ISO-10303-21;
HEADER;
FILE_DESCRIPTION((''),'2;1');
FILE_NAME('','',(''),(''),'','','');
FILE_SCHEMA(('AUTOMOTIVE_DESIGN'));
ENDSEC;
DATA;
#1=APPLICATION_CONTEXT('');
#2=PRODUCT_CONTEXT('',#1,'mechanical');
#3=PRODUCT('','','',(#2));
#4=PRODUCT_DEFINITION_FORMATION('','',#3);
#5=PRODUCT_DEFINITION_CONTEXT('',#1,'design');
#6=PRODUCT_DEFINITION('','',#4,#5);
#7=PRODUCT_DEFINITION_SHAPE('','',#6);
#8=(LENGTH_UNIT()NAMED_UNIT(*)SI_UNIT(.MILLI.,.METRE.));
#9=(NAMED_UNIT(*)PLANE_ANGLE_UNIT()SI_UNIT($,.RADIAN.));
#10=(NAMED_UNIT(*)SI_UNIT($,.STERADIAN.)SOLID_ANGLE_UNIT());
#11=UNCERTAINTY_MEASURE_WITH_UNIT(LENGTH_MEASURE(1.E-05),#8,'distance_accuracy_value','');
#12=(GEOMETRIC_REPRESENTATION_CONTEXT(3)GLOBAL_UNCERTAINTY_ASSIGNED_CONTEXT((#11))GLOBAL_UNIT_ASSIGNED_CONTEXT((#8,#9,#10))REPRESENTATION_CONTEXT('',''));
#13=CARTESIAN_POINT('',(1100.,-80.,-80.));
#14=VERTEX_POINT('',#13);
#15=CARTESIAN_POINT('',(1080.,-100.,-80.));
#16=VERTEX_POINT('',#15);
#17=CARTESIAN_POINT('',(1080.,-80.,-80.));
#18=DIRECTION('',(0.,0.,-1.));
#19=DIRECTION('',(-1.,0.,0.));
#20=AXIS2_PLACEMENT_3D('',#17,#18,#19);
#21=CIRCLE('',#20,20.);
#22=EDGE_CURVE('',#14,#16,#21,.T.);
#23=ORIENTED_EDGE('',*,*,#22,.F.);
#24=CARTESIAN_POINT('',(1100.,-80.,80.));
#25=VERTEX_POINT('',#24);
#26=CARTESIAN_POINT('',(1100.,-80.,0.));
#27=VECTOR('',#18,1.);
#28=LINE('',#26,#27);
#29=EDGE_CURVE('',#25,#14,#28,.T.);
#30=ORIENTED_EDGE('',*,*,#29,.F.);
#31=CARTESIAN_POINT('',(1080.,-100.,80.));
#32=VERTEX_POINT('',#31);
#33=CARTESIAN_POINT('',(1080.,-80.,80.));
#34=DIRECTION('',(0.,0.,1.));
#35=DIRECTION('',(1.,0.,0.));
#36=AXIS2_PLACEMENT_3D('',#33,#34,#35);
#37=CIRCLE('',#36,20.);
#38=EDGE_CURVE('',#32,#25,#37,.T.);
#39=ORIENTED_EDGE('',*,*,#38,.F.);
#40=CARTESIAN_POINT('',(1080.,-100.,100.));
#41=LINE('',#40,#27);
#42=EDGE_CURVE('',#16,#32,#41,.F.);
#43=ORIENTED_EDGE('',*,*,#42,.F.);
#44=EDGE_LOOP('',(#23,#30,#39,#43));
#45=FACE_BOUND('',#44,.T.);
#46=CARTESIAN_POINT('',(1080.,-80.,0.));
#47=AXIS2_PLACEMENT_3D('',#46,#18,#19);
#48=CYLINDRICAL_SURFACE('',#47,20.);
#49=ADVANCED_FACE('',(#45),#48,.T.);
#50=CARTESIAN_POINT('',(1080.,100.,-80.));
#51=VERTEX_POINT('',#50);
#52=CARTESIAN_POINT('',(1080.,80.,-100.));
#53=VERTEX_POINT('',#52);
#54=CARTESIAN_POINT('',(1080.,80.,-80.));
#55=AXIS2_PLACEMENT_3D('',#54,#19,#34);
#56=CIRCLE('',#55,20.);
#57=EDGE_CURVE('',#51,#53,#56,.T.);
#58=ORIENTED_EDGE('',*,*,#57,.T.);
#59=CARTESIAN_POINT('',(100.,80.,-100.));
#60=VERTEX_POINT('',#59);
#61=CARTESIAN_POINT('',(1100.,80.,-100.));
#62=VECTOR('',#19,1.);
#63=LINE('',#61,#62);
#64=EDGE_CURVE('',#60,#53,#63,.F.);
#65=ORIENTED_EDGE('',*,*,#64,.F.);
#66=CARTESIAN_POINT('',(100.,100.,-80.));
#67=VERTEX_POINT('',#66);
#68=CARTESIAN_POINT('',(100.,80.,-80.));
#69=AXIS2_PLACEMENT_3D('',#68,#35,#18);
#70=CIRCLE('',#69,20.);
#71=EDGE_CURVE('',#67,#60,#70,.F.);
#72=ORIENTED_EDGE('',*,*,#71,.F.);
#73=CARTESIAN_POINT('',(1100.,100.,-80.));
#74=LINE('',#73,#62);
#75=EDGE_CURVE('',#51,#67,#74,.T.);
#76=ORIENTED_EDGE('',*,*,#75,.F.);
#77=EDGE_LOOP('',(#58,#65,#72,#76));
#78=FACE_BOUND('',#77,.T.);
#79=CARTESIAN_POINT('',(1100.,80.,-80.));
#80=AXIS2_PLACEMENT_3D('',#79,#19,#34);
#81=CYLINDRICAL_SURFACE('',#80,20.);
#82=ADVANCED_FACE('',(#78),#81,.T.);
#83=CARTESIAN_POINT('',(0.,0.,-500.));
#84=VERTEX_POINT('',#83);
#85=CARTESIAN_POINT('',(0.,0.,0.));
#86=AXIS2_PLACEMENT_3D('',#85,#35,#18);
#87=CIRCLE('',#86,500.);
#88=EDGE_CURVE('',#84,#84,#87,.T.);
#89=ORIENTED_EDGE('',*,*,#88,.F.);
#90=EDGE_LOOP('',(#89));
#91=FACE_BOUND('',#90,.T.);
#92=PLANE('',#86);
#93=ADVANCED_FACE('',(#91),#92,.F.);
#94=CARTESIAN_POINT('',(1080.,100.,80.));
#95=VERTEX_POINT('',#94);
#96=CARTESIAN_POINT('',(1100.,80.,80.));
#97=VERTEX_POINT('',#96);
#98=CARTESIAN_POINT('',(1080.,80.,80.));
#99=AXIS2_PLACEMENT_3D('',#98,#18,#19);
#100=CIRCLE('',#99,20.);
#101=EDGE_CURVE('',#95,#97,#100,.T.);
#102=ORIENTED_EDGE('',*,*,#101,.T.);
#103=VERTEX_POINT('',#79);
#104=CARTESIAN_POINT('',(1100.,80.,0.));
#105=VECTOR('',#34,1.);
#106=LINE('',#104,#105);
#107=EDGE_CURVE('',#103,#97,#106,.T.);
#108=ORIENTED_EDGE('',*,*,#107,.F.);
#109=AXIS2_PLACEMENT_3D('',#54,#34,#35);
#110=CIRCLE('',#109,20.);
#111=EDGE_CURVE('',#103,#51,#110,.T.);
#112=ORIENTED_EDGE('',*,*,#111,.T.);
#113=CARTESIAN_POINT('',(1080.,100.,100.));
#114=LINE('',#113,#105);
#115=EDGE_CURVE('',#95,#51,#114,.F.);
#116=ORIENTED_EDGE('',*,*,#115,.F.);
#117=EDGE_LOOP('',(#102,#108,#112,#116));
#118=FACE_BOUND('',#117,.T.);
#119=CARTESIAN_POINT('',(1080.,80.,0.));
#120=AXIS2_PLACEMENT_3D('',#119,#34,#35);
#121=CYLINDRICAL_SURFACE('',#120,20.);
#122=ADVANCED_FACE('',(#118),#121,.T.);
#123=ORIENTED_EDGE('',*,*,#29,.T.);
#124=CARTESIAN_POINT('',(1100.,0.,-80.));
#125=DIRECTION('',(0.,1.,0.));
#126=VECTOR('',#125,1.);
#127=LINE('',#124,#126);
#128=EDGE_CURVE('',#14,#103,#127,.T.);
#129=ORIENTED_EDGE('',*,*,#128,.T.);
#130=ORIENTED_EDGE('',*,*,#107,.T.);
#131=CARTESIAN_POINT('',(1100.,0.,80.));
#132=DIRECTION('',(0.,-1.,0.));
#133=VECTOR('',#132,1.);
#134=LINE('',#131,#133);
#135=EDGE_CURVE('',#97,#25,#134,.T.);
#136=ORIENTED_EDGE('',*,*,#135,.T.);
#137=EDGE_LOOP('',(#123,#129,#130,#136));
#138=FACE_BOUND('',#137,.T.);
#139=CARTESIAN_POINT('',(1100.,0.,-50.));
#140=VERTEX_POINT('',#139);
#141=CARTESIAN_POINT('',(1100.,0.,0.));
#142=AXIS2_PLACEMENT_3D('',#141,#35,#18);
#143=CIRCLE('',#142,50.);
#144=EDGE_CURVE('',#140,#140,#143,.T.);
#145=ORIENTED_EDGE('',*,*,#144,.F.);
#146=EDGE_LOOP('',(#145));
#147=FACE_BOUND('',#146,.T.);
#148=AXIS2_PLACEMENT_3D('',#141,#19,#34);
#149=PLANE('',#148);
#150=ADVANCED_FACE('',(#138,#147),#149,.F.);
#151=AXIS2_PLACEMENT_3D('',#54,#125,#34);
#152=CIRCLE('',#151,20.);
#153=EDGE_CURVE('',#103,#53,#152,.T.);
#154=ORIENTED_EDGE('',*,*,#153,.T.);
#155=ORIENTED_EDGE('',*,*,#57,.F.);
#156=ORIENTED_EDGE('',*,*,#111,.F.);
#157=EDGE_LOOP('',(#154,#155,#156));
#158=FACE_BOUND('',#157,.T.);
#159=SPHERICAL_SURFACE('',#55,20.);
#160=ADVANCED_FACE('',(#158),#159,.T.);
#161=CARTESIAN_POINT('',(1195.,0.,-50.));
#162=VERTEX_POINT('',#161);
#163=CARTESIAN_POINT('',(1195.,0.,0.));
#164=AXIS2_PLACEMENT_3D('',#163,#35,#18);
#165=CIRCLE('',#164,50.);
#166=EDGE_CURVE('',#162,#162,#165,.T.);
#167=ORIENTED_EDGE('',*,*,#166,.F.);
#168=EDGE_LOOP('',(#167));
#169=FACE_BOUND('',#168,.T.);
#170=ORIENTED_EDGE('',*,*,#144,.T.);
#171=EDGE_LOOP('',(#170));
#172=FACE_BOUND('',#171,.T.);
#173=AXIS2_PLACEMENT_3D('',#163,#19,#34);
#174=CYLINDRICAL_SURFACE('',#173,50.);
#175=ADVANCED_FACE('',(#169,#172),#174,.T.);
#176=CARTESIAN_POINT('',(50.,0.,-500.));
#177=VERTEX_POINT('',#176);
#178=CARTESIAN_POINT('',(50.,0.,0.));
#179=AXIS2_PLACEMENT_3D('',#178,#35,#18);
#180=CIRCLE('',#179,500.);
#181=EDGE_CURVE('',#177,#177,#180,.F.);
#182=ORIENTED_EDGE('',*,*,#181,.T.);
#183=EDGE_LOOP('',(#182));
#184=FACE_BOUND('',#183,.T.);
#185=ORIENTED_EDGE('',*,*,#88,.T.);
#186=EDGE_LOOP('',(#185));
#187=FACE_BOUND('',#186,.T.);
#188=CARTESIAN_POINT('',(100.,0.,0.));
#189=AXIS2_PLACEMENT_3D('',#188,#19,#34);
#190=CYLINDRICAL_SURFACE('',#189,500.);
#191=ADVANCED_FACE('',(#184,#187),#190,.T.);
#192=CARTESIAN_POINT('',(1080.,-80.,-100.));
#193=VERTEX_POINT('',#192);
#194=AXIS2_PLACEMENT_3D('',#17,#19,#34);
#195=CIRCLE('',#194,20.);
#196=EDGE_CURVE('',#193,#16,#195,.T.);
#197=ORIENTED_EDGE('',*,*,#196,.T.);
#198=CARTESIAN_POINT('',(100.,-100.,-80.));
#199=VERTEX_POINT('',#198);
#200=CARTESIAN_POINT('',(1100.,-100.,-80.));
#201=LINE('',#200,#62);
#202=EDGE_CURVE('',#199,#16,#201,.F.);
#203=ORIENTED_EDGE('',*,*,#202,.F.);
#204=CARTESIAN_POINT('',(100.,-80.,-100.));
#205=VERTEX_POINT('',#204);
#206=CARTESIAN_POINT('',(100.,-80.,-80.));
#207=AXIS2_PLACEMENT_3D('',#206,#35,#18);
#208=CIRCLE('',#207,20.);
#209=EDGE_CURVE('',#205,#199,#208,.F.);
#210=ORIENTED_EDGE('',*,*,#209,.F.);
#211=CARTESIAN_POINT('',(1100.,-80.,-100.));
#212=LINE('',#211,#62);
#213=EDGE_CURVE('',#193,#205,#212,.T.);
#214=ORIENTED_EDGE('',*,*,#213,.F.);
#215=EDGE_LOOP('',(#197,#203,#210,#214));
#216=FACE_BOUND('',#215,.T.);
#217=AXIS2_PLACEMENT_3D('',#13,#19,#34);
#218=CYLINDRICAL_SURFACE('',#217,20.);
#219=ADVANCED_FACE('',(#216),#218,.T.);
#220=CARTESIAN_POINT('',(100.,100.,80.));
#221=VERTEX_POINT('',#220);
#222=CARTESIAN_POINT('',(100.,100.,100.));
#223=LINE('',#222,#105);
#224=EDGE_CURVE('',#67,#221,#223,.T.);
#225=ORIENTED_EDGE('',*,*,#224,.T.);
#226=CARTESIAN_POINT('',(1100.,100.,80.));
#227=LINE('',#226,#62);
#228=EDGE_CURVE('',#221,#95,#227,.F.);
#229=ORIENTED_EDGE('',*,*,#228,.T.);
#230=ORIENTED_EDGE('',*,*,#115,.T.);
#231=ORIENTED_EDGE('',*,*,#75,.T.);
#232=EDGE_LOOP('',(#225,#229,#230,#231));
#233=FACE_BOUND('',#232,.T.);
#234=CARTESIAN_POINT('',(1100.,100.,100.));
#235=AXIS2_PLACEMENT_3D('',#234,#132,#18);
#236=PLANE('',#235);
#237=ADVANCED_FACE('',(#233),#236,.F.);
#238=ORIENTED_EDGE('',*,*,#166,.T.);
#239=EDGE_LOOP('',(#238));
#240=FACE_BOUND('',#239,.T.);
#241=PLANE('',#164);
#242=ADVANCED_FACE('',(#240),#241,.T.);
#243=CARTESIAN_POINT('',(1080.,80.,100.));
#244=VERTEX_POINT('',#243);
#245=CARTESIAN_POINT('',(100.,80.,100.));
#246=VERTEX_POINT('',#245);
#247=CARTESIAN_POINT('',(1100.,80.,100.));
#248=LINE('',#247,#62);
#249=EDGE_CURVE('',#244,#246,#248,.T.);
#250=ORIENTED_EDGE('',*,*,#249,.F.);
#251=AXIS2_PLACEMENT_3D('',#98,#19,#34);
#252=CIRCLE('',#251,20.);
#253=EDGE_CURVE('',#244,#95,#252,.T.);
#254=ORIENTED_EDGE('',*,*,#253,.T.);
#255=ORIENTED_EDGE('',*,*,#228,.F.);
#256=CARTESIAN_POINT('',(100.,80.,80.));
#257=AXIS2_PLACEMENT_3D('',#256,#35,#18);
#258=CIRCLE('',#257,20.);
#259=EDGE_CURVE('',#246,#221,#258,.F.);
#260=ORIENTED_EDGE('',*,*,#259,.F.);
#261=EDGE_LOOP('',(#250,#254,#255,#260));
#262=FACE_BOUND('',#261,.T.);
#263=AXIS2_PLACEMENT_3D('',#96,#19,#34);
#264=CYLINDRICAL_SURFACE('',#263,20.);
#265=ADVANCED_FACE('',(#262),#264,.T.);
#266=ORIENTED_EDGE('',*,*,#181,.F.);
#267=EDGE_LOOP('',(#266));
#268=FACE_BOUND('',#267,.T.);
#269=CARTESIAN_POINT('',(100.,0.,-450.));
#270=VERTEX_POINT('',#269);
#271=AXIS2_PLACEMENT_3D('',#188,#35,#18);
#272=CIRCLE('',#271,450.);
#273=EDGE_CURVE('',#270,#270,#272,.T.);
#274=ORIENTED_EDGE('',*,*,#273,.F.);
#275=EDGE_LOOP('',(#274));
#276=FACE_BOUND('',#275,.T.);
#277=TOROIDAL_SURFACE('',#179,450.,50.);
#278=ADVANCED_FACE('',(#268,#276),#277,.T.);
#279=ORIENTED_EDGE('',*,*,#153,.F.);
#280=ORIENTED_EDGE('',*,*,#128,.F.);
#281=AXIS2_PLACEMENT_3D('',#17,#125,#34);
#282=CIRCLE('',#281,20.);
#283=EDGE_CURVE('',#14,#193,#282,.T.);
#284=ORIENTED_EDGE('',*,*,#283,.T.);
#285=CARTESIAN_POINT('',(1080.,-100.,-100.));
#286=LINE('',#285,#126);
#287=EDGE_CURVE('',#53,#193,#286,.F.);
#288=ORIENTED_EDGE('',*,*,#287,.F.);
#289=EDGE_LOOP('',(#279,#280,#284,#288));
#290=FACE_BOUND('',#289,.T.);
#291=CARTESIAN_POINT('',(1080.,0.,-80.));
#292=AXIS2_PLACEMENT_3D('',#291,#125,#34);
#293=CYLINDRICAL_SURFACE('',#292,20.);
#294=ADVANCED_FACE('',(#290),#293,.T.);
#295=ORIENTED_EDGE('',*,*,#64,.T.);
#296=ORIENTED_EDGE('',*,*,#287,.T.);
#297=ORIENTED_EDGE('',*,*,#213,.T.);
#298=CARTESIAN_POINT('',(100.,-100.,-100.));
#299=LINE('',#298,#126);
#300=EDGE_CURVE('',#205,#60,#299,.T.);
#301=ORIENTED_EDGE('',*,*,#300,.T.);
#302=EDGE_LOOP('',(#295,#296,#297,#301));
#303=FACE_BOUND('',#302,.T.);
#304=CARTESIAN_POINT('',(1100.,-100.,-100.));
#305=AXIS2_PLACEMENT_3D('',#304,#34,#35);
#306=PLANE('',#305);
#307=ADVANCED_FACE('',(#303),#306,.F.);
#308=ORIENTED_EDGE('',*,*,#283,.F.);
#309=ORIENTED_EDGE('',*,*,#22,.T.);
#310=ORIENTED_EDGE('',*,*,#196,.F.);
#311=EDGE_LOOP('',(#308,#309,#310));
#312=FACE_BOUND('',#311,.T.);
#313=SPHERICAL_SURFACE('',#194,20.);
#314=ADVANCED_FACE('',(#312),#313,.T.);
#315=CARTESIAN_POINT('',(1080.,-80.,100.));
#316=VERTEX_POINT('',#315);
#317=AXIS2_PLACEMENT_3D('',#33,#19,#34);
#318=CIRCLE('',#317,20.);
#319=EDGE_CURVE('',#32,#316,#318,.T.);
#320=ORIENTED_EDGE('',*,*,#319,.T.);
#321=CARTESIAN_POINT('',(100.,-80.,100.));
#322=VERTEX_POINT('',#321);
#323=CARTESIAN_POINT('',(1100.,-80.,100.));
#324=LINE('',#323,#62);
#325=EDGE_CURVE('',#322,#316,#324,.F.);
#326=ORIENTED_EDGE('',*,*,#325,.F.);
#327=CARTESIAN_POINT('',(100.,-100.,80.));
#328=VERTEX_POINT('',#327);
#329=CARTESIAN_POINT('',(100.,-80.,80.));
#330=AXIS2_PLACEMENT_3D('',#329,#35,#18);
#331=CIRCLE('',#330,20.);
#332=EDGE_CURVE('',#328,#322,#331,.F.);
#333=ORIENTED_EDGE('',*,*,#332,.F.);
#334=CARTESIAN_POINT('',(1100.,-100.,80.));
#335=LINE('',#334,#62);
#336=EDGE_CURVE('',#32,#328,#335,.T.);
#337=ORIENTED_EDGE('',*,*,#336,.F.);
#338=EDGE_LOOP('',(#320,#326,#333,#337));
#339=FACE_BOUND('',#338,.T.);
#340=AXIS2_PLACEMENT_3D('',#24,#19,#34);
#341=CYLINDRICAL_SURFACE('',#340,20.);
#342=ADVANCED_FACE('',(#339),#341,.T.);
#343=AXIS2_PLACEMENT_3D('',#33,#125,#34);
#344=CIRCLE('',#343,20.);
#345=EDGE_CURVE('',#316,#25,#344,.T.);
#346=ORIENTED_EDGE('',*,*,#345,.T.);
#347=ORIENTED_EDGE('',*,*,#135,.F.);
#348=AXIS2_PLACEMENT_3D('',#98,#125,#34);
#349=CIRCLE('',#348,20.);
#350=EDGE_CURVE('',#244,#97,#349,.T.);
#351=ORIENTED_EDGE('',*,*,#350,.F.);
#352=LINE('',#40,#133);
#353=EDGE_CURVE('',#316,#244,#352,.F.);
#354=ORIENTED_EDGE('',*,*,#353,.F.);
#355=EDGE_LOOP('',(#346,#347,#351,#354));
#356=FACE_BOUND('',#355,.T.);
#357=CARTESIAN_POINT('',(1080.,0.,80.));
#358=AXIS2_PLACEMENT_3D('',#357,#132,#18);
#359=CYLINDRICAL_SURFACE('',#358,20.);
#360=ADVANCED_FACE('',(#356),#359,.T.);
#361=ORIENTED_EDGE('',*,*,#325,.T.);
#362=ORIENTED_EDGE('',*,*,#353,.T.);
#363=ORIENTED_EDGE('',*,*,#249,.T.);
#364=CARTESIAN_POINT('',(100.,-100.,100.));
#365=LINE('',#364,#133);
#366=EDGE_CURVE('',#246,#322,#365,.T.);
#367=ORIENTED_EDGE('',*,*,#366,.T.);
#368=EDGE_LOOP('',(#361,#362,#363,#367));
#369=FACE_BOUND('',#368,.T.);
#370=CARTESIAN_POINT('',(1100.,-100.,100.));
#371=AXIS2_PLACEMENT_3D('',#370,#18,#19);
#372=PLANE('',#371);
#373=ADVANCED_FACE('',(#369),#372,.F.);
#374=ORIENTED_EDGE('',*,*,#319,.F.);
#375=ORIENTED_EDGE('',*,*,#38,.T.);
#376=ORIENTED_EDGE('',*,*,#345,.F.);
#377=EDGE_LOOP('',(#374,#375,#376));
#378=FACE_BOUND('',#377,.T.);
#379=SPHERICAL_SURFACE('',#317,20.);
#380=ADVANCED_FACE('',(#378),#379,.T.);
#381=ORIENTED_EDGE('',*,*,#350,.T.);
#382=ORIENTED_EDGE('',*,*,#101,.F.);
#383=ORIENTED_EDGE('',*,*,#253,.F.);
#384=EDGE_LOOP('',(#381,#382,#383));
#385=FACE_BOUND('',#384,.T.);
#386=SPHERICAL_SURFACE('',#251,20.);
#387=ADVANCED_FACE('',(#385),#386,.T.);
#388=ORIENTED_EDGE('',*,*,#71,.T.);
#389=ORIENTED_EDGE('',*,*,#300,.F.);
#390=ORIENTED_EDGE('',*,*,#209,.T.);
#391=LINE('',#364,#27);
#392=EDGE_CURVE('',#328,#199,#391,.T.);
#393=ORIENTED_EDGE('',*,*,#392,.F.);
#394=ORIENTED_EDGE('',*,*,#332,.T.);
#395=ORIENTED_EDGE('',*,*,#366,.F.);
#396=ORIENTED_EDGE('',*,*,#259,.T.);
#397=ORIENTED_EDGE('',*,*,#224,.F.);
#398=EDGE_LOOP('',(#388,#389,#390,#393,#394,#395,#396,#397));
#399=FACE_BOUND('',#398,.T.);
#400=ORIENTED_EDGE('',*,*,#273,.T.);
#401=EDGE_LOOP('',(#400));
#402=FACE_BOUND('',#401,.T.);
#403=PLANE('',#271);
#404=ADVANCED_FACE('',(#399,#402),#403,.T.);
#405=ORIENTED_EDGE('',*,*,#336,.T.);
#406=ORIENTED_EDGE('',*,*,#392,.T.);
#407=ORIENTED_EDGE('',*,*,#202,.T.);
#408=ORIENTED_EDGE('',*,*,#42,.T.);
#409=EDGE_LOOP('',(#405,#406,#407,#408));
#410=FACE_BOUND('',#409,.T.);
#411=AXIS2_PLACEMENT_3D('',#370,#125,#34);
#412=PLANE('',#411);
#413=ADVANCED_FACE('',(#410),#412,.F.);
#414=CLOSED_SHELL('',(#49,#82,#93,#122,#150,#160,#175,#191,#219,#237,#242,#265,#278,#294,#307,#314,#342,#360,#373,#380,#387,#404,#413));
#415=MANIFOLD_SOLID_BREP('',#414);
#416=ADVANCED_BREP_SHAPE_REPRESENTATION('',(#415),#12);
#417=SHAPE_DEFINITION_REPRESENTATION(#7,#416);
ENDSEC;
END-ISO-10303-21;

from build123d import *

# Parameters (mm, degrees)
ESQUISSE1_R        = 500
BOSS_EXTRU_1_DEPTH = 100
ESQUISSE2_W        = 200
ESQUISSE2_H        = 200
BOSS_EXTRU_2_DEPTH = 1000
ESQUISSE3_R        = 50
BOSS_EXTRU_3_DEPTH = 95
CONG_1_R           = 50
CONG_2_R           = 20
CONG_3_R           = 20


with BuildPart() as part:
    # Esquisse1 → Boss.-Extru.1 (new body)
    with BuildSketch(Plane(origin=(0, 0, 0), x_dir=(0, 0, -1), z_dir=(1, 0, 0))):
        Circle(ESQUISSE1_R)
    extrude(amount=BOSS_EXTRU_1_DEPTH)

    # Esquisse2 → Boss.-Extru.2 (add)
    with BuildSketch(Plane(origin=(100, 0, 0), x_dir=(0, 0, -1), z_dir=(1, 0, 0))):
        Rectangle(ESQUISSE2_W, ESQUISSE2_H)
    extrude(amount=BOSS_EXTRU_2_DEPTH)

    # Esquisse3 → Boss.-Extru.3 (add)
    with BuildSketch(Plane(origin=(1100, 0, 0), x_dir=(0, 0, -1), z_dir=(1, 0, 0))):
        Circle(ESQUISSE3_R)
    extrude(amount=BOSS_EXTRU_3_DEPTH)

    # Congé1
    cong_1_edges = [part.edges().sort_by_distance(p)[0] for p in [
        (100, 0, 500),
    ]]
    fillet(cong_1_edges, radius=CONG_1_R)

    # Congé2
    cong_2_edges = [part.edges().sort_by_distance(p)[0] for p in [
        (600, -100, -100),
        (600, 100, -100),
        (600, 100, 100),
        (600, -100, 100),
    ]]
    fillet(cong_2_edges, radius=CONG_2_R)

    # Congé3
    cong_3_edges = [part.edges().sort_by_distance(p)[0] for p in [
        (1100, 100, 0),
        (1100, 0, -100),
        (1100, 0, 100),
        (1100, -100, 0),
        (1100, 94.142135624, 94.142135624),
        (1100, -94.142135624, 94.142135624),
        (1100, -94.142135624, -94.142135624),
        (1100, 94.142135624, -94.142135624),
    ]]
    fillet(cong_3_edges, radius=CONG_3_R)


solid = part.part
